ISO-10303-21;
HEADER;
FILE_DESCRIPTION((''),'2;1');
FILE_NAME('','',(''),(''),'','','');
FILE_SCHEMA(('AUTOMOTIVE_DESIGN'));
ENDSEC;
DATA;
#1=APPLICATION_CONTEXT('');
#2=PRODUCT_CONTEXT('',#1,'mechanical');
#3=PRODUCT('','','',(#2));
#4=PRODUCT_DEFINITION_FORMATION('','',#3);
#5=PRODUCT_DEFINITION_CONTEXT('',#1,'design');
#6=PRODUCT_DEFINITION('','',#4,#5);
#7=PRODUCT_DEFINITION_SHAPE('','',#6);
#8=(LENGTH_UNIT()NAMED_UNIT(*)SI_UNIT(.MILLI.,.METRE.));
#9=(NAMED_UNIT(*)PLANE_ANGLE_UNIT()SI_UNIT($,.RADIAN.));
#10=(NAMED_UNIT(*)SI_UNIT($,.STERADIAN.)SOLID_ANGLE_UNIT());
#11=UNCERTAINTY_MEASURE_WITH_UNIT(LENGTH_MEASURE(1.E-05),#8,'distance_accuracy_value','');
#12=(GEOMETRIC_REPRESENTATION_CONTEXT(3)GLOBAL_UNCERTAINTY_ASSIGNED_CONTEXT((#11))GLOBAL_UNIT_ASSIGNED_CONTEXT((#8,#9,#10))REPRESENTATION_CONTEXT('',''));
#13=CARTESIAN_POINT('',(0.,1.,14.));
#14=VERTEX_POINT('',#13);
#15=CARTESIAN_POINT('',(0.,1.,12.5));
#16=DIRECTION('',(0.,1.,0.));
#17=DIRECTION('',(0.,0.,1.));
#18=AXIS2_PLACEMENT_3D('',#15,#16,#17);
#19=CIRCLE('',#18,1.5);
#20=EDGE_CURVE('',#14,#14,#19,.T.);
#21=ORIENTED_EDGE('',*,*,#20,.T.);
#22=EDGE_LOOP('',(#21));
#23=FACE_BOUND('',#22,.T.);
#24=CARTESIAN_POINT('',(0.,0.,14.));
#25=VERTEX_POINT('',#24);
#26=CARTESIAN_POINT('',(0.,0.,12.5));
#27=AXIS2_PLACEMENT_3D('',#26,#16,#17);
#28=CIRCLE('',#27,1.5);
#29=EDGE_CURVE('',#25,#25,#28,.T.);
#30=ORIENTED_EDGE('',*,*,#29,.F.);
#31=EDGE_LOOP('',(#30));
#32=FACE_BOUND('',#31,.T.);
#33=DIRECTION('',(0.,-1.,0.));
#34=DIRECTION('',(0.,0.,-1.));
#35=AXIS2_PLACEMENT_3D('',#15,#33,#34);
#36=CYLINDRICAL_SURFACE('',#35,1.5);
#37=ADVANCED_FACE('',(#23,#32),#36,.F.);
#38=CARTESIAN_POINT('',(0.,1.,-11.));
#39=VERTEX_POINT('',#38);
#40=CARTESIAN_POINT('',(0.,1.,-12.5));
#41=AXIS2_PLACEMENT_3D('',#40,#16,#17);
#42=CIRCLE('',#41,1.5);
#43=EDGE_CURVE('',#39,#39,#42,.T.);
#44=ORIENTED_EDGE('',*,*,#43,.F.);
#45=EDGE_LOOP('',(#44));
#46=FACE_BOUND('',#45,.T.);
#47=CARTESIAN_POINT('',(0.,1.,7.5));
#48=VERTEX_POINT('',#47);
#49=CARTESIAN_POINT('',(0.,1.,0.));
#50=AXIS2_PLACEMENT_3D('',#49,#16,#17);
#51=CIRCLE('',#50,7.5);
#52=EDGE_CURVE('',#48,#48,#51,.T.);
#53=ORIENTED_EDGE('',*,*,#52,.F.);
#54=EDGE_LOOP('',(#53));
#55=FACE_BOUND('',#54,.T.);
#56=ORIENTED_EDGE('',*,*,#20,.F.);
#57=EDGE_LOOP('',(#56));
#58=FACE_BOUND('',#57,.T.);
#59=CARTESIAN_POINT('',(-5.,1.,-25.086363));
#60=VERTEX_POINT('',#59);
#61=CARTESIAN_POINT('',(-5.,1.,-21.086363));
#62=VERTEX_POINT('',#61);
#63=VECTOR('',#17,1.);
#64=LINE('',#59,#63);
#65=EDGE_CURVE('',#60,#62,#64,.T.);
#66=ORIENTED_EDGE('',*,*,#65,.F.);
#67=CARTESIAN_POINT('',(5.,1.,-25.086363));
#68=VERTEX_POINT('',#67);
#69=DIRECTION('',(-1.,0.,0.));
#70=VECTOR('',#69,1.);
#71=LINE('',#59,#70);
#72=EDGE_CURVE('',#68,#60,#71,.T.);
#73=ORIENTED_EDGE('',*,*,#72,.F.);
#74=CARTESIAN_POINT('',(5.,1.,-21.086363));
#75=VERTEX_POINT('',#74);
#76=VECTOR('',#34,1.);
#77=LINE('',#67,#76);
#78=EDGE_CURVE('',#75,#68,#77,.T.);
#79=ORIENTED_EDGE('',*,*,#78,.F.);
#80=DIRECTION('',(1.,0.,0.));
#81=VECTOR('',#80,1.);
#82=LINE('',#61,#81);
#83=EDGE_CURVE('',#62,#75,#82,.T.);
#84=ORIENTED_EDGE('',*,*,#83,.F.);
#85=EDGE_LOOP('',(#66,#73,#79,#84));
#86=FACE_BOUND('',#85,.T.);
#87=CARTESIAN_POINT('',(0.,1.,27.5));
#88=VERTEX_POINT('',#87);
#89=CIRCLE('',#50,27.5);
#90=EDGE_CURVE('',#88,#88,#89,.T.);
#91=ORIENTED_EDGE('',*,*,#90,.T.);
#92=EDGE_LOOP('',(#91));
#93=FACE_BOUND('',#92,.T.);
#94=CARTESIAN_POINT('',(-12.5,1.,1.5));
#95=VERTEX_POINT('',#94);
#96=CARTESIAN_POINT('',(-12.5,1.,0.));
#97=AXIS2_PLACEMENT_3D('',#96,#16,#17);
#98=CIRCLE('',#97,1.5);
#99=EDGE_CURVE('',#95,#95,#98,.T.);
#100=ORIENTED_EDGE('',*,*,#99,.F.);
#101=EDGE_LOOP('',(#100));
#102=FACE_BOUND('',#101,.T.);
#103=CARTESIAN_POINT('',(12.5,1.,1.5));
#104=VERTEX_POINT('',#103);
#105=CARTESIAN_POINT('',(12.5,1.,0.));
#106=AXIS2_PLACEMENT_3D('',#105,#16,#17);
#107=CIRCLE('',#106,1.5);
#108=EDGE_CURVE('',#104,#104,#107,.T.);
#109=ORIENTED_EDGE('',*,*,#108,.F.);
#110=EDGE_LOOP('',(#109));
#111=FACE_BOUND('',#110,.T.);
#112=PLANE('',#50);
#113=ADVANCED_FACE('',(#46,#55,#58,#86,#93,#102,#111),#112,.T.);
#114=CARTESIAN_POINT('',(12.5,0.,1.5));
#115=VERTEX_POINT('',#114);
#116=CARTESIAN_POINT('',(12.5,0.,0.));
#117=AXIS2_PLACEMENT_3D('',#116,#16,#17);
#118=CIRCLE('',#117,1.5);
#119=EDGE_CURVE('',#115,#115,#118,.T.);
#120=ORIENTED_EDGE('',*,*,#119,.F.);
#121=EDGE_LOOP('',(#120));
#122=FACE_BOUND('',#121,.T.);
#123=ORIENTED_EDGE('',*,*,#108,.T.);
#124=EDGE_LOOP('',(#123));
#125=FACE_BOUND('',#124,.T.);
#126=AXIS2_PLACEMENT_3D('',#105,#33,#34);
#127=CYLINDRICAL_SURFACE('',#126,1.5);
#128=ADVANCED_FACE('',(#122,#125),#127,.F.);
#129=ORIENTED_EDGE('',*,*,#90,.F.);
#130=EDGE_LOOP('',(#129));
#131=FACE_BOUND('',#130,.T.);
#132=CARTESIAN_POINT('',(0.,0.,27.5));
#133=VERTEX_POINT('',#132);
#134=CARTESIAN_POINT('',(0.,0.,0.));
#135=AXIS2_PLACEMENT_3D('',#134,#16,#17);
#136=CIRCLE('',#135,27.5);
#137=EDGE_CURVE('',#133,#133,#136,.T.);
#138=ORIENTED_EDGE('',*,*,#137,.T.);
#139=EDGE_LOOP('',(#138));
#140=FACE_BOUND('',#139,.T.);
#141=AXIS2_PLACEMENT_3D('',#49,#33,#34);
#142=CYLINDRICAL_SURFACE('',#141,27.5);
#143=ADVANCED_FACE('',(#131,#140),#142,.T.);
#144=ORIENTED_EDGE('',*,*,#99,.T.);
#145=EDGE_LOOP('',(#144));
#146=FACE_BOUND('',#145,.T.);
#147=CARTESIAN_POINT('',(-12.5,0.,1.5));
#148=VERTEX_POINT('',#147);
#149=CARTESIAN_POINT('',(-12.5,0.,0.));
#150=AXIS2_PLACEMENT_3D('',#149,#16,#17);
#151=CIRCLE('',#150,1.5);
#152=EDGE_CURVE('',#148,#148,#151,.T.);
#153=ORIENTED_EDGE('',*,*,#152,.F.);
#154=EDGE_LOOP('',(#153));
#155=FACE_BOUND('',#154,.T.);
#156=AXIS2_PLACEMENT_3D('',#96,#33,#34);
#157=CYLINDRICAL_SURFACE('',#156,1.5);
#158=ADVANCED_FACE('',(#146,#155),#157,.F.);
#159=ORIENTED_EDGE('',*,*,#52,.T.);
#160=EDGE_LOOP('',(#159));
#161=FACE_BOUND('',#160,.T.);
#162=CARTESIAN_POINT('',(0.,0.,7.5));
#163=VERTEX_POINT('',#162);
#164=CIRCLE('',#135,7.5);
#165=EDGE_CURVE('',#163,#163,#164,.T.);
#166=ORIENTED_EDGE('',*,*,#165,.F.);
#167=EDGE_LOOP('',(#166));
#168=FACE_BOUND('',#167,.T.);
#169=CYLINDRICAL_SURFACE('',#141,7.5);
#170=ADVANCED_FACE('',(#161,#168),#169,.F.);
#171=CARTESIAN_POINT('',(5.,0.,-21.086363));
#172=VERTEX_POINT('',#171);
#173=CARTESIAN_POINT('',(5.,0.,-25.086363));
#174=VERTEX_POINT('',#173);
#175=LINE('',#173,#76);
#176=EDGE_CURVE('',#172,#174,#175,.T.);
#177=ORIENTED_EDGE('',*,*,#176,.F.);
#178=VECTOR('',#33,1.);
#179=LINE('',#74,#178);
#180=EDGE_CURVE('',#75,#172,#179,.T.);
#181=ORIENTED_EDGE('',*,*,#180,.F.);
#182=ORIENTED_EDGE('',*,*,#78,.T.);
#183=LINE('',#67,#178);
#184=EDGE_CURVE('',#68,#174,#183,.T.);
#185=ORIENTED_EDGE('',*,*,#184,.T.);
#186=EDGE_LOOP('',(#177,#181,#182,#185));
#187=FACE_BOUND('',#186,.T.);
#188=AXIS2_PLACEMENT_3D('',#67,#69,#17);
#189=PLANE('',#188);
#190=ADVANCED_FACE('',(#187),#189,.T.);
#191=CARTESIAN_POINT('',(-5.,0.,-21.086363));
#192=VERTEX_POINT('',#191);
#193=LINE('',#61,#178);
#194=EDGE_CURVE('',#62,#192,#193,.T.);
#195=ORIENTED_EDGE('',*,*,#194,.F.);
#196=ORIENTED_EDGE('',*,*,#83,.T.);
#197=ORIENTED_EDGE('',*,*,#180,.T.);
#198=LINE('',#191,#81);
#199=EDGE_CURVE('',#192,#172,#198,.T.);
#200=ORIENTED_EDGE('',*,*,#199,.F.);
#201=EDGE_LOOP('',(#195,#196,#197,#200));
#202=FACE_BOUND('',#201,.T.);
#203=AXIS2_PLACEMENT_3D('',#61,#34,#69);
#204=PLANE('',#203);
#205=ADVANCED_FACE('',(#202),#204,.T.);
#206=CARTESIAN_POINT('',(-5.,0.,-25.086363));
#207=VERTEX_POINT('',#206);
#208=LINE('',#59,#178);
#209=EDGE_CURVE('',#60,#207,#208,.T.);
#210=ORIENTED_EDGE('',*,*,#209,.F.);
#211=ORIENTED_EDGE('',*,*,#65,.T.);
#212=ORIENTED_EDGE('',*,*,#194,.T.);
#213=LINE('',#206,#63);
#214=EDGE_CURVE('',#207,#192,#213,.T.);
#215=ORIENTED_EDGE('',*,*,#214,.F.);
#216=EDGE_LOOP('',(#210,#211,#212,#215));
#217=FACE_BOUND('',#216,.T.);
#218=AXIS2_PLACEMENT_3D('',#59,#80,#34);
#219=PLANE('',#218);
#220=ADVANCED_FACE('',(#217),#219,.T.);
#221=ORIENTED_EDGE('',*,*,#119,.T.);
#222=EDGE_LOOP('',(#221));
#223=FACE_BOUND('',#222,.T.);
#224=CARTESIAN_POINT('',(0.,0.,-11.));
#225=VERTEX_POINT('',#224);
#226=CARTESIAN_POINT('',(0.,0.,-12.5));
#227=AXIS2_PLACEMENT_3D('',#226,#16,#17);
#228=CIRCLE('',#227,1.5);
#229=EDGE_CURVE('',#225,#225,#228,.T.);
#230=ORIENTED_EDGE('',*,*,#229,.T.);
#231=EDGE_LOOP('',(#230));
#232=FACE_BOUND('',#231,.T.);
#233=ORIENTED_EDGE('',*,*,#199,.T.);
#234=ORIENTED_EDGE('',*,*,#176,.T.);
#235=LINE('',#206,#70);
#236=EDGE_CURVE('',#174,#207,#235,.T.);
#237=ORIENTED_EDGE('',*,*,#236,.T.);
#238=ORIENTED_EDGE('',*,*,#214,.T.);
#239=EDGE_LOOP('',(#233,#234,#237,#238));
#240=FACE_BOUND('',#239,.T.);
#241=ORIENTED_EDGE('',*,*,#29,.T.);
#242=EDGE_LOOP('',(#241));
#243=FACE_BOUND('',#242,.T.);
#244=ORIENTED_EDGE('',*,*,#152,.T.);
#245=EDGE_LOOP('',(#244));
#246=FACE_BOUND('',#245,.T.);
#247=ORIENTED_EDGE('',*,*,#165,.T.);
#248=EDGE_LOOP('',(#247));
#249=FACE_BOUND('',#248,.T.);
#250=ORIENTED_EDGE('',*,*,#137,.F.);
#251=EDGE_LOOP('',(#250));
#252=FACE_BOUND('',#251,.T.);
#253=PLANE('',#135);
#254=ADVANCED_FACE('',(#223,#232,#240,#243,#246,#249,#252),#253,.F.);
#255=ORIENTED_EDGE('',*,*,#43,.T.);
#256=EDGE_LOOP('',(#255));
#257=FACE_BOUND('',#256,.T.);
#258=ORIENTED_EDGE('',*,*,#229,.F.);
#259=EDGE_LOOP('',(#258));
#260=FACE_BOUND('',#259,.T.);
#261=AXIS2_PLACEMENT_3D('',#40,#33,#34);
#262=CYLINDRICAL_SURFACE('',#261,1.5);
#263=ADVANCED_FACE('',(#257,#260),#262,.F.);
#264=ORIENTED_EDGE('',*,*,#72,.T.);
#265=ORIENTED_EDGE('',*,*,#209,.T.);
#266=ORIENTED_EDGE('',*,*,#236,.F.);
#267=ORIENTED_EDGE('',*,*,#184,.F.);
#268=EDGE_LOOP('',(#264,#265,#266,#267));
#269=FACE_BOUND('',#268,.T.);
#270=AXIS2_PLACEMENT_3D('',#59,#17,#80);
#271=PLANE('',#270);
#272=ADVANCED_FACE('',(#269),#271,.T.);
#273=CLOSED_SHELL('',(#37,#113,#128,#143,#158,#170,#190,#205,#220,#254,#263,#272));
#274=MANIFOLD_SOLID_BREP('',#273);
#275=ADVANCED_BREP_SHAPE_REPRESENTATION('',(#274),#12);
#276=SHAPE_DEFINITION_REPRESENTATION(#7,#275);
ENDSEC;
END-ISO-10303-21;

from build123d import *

# Parameters (mm, degrees)
SKETCH1_R           = 27.5
SKETCH1_R_2         = 1.5
SKETCH1_R_3         = 7.5
SKETCH1_W           = 10
SKETCH1_H           = 4
BOSS_EXTRUDE1_DEPTH = 1


with BuildPart() as part:
    # Sketch1 → Boss-Extrude1 (new body)
    with BuildSketch(Plane(origin=(0, 0, 0), x_dir=(1, 0, 0), z_dir=(0, 1, 0))):
        with Locations(Location((0, 0, 0), (0, 0, 270))):
            Circle(SKETCH1_R)
        with Locations(Location((0, 12.5, 0), (0, 0, 270))):
            Circle(SKETCH1_R_2, mode=Mode.SUBTRACT)
        with Locations(Location((12.5, 0, 0), (0, 0, 270))):
            Circle(SKETCH1_R_2, mode=Mode.SUBTRACT)
        with Locations(Location((0, -12.5, 0), (0, 0, 270))):
            Circle(SKETCH1_R_2, mode=Mode.SUBTRACT)
        with Locations(Location((-12.5, 0, 0), (0, 0, 270))):
            Circle(SKETCH1_R_2, mode=Mode.SUBTRACT)
        with Locations(Location((0, 0, 0), (0, 0, 270))):
            Circle(SKETCH1_R_3, mode=Mode.SUBTRACT)
        with Locations((0, 23.086362523)):
            Rectangle(SKETCH1_W, SKETCH1_H, mode=Mode.SUBTRACT)
    extrude(amount=BOSS_EXTRUDE1_DEPTH)


solid = part.part
